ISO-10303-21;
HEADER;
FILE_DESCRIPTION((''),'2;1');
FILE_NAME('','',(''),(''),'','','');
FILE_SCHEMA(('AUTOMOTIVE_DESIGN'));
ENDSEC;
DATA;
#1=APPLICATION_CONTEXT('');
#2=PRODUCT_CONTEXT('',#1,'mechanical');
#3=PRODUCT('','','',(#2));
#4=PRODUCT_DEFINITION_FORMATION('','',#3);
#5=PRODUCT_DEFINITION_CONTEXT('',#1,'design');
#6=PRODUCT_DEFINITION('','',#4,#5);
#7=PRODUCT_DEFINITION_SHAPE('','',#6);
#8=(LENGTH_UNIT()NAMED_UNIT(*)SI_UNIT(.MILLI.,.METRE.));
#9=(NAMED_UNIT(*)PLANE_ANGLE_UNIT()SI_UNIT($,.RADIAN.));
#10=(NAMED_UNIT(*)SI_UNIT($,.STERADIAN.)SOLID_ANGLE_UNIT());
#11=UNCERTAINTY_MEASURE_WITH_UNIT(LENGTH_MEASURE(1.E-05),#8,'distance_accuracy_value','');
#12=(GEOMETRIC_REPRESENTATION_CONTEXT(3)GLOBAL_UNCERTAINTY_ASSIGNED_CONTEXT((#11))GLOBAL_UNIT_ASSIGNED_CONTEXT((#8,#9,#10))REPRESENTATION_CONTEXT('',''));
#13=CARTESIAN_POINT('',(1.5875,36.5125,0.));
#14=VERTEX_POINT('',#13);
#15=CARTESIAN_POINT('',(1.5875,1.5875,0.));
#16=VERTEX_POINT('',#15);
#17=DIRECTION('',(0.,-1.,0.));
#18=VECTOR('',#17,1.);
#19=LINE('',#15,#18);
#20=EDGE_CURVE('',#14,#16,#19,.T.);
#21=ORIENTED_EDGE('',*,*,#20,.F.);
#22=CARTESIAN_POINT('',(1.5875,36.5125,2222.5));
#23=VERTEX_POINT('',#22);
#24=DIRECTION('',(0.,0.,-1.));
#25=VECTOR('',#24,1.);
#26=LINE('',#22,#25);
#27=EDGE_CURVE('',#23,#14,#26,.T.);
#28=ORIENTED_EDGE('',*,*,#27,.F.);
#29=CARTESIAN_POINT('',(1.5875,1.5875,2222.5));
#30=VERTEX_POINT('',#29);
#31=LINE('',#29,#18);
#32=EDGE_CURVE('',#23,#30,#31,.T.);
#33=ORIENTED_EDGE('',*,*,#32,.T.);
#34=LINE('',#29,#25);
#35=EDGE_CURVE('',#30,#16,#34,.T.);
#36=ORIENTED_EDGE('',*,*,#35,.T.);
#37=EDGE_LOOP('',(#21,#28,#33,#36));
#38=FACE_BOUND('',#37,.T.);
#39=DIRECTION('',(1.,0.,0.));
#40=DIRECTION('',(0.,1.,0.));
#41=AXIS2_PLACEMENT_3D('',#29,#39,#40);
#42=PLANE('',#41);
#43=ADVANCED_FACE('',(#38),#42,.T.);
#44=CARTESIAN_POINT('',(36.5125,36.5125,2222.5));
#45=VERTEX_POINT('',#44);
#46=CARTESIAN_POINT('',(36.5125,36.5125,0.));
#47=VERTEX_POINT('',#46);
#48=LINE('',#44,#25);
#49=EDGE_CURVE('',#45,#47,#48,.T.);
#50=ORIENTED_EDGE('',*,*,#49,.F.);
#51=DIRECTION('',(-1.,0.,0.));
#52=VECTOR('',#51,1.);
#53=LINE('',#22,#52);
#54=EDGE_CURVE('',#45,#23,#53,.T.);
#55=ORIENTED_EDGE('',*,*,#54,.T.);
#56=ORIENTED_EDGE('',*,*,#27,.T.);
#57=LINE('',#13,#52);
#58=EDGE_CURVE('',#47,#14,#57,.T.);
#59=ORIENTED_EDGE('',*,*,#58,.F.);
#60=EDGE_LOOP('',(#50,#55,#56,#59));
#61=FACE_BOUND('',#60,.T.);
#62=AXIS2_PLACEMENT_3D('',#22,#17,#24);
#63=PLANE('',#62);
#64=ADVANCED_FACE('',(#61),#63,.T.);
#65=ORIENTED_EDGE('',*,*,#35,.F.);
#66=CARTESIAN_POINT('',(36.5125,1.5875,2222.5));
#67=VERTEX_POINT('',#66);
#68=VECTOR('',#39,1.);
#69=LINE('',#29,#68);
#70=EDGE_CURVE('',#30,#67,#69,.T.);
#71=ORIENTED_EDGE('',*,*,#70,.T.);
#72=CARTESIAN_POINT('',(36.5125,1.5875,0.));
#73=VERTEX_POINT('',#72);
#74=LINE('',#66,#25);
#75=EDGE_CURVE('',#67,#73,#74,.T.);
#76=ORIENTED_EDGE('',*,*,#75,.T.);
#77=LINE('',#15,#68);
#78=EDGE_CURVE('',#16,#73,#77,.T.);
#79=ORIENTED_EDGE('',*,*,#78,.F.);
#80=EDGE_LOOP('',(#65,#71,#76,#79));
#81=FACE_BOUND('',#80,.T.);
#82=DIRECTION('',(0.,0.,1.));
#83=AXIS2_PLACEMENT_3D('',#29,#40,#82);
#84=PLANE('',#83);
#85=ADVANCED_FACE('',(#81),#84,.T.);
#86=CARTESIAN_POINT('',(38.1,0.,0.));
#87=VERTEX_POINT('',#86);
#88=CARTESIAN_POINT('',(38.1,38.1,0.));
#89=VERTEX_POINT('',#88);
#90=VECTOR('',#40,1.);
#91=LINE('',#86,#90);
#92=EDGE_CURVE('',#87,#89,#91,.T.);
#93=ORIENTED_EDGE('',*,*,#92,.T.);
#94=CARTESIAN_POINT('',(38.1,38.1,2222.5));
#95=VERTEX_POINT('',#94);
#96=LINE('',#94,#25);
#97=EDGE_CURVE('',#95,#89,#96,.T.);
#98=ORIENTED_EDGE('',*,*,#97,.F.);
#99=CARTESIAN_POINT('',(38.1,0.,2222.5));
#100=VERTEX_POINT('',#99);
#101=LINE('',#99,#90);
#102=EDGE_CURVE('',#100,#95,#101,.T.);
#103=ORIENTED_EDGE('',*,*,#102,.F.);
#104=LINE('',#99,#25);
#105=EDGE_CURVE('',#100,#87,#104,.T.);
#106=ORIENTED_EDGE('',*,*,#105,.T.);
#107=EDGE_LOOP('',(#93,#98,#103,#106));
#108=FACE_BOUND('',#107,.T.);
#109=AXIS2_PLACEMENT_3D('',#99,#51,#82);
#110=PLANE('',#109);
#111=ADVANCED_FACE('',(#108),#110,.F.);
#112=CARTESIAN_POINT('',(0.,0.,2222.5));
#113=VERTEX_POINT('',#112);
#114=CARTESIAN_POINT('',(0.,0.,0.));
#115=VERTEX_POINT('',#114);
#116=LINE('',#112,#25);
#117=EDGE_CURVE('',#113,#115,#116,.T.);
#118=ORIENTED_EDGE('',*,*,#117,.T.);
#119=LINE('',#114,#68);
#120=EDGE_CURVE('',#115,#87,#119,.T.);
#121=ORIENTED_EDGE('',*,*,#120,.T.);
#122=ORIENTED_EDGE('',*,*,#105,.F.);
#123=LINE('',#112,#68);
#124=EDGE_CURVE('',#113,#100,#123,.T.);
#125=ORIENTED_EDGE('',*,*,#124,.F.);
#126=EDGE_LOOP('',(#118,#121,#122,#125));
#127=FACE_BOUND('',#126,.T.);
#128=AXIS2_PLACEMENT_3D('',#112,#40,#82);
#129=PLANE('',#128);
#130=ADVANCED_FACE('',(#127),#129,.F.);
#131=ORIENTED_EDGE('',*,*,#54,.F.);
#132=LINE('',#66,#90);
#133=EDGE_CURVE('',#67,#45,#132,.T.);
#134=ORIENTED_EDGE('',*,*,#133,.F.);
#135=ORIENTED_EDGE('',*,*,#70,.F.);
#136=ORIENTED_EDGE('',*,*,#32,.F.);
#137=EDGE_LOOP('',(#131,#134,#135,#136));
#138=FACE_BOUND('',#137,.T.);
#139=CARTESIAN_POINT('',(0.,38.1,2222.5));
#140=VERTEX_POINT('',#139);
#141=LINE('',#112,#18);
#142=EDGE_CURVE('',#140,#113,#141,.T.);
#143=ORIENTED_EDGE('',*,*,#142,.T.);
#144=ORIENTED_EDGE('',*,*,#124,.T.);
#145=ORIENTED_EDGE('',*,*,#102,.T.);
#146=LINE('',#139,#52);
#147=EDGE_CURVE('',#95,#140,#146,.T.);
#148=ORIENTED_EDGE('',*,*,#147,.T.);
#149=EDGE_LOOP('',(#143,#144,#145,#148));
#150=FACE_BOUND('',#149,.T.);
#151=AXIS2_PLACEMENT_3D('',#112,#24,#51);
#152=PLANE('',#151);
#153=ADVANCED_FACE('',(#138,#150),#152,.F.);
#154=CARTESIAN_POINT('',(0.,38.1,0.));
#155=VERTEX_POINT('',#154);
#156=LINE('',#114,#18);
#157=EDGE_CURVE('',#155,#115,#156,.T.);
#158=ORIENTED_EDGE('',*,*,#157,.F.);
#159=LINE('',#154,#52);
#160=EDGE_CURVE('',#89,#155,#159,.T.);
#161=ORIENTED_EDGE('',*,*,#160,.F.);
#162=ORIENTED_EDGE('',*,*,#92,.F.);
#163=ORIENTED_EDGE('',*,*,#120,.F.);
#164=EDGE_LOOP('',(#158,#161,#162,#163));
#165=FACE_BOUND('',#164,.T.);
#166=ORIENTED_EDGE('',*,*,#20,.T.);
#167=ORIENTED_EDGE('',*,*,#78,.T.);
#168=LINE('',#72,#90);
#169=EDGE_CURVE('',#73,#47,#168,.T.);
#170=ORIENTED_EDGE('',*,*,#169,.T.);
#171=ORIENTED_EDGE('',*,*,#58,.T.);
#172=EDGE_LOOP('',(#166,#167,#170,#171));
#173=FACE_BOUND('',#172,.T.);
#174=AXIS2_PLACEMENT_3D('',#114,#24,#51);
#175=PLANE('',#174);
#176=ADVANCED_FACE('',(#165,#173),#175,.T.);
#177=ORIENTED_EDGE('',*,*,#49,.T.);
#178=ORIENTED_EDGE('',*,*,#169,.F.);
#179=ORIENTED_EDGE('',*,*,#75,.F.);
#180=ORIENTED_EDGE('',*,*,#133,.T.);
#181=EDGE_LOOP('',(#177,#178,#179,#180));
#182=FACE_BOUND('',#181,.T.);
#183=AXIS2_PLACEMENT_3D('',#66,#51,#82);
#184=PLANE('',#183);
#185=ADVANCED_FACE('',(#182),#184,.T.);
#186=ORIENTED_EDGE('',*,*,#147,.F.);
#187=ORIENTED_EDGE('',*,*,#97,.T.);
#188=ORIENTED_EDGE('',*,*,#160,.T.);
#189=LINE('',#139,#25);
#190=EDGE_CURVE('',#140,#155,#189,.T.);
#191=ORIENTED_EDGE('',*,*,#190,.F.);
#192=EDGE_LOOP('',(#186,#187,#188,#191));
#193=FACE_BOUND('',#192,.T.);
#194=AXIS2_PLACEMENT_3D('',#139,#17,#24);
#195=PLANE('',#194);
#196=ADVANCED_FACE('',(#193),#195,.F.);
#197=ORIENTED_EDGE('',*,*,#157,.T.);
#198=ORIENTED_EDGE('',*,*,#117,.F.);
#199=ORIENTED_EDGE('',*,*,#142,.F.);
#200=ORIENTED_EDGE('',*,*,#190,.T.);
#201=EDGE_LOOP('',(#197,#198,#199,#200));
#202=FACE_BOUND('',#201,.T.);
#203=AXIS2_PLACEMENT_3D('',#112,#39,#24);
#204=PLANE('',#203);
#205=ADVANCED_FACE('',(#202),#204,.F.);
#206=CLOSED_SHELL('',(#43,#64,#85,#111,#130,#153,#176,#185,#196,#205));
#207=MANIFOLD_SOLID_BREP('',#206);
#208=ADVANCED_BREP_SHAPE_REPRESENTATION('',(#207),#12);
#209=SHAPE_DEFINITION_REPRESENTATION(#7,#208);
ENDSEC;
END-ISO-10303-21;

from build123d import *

# Parameters (mm, degrees)
SKETCH2_W           = 38.1
SKETCH2_H           = 38.1
SKETCH2_W_2         = 34.925
SKETCH2_H_2         = 34.925
BOSS_EXTRUDE1_DEPTH = 2222.5


with BuildPart() as part:
    # Sketch2 → Boss-Extrude1 (new body)
    with BuildSketch(Plane.XY):
        with Locations((19.05, 19.05)):
            Rectangle(SKETCH2_W, SKETCH2_H)
        with Locations((19.05, 19.05)):
            Rectangle(SKETCH2_W_2, SKETCH2_H_2, mode=Mode.SUBTRACT)
    extrude(amount=BOSS_EXTRUDE1_DEPTH)


solid = part.part
